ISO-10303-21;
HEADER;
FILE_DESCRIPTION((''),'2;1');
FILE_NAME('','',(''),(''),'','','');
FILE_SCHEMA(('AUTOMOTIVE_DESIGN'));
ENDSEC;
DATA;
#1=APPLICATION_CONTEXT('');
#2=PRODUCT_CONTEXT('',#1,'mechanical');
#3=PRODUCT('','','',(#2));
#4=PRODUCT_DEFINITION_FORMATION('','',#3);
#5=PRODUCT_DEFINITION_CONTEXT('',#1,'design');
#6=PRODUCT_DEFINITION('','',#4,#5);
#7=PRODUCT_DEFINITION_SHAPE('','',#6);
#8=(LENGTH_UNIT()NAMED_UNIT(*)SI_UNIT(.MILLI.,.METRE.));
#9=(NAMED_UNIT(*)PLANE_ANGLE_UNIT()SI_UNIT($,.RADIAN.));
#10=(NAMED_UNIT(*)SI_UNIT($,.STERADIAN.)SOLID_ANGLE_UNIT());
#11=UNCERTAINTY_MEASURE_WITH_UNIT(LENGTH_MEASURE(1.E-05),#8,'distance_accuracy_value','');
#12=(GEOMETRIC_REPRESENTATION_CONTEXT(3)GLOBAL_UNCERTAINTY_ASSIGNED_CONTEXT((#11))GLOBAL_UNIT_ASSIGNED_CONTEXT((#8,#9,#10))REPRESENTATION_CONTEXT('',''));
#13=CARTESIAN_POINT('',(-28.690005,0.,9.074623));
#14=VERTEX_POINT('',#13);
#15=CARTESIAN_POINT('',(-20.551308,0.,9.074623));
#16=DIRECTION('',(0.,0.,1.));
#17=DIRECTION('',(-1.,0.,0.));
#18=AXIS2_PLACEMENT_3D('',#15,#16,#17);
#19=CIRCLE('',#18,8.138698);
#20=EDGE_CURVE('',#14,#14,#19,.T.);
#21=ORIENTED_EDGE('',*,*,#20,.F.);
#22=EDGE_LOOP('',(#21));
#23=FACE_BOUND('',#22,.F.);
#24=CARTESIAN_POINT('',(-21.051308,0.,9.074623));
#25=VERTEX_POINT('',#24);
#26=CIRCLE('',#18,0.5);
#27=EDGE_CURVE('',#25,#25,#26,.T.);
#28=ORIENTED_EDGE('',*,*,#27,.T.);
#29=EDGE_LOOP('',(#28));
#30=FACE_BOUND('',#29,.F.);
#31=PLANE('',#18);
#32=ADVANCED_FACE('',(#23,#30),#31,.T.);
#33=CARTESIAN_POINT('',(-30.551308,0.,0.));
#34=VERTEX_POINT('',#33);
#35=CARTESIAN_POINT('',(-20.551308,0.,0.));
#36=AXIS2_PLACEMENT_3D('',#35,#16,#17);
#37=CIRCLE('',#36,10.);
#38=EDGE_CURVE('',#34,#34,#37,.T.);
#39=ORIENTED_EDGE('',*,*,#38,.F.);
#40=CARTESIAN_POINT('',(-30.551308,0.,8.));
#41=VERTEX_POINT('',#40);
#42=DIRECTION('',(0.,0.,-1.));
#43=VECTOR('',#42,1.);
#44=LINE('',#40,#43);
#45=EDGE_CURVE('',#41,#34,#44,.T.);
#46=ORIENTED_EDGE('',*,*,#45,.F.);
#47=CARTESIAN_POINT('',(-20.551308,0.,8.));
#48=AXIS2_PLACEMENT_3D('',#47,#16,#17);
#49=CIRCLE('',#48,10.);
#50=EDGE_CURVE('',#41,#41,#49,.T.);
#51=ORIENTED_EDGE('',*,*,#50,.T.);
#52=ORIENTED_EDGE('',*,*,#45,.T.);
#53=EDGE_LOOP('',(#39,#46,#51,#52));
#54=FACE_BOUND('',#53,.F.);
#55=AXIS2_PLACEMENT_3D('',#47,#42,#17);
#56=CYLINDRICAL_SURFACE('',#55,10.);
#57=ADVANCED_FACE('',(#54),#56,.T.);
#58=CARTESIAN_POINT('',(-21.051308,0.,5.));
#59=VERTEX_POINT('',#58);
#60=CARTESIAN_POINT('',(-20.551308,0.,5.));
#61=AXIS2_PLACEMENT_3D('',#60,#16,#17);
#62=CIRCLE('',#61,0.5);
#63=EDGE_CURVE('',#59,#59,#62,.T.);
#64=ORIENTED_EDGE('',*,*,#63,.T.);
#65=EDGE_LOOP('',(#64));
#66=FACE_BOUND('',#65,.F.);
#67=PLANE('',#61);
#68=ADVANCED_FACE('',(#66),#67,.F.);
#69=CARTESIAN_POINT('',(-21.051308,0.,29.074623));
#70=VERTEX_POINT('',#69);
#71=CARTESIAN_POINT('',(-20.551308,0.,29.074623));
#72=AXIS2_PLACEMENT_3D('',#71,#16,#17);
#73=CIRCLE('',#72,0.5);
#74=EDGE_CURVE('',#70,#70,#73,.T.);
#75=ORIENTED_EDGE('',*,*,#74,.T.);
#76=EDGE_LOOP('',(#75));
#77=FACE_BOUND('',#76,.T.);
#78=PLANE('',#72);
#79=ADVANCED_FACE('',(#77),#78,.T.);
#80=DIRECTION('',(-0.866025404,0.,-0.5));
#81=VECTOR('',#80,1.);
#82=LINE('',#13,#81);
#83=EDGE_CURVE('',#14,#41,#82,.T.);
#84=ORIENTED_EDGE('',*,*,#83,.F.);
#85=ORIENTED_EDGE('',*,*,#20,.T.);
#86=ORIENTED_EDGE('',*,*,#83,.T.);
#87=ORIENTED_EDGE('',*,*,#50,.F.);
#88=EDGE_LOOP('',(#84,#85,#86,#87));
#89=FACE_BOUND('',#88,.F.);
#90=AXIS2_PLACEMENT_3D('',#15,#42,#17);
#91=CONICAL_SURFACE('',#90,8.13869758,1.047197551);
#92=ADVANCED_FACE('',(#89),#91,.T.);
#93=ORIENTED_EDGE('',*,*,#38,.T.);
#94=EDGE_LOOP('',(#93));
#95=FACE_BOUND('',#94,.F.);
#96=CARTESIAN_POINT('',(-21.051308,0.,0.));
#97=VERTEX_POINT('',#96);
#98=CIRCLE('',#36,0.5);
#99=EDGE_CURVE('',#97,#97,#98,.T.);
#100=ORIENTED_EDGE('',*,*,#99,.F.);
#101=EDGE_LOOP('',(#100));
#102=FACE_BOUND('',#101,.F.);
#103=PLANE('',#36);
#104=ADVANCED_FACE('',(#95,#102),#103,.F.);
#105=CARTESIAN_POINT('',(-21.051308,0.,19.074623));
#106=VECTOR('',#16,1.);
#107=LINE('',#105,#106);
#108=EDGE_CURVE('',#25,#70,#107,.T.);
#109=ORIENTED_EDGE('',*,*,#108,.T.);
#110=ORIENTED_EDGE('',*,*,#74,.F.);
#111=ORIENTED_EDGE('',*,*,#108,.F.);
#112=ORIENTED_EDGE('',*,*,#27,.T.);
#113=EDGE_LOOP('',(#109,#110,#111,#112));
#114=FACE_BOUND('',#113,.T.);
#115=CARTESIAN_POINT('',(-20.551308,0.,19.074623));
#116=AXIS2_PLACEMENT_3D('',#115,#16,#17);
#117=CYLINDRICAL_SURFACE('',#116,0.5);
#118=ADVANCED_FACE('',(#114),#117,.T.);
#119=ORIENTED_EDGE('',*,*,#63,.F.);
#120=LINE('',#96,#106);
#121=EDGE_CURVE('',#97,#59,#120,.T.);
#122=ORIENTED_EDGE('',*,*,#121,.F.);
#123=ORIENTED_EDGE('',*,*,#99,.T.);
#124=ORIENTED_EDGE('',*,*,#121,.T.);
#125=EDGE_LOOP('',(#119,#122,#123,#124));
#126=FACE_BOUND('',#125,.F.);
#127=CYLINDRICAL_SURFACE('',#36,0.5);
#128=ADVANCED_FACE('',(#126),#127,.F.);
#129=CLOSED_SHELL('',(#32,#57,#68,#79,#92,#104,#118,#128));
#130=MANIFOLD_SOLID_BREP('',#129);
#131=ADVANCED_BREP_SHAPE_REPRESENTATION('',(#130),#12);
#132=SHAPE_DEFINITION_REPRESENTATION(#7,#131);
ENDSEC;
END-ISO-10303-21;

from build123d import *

# Parameters (mm, degrees)
F0_W   = 0.5
F0_H   = 20
F0_H_2 = 3
F0_H_3 = 1.0746234533


with BuildPart() as f1:
    # F0 (on Front) → F1 (revolve)
    with BuildSketch(Plane.XZ):
        with Locations((-20.8013077103, 19.0746234533)):
            Rectangle(F0_W, F0_H)
        Polygon((-21.0513077103, 8), (-30.5513077103, 8), (-30.5513077103, 0), (-21.0513077103, 0), (-21.0513077103, 5), align=None)
        Polygon((-28.6900052902, 9.0746234533), (-30.5513077103, 8), (-21.0513077103, 8), (-21.0513077103, 9.0746234533), align=None)
        with Locations((-20.8013077103, 6.5)):
            Rectangle(F0_W, F0_H_2)
        with Locations((-20.8013077103, 8.5373117267)):
            Rectangle(F0_W, F0_H_3)
    revolve(axis=Axis((-20.5513077103, 0, 19.0746234533), (0, 0, 1)))


solid = f1.part
